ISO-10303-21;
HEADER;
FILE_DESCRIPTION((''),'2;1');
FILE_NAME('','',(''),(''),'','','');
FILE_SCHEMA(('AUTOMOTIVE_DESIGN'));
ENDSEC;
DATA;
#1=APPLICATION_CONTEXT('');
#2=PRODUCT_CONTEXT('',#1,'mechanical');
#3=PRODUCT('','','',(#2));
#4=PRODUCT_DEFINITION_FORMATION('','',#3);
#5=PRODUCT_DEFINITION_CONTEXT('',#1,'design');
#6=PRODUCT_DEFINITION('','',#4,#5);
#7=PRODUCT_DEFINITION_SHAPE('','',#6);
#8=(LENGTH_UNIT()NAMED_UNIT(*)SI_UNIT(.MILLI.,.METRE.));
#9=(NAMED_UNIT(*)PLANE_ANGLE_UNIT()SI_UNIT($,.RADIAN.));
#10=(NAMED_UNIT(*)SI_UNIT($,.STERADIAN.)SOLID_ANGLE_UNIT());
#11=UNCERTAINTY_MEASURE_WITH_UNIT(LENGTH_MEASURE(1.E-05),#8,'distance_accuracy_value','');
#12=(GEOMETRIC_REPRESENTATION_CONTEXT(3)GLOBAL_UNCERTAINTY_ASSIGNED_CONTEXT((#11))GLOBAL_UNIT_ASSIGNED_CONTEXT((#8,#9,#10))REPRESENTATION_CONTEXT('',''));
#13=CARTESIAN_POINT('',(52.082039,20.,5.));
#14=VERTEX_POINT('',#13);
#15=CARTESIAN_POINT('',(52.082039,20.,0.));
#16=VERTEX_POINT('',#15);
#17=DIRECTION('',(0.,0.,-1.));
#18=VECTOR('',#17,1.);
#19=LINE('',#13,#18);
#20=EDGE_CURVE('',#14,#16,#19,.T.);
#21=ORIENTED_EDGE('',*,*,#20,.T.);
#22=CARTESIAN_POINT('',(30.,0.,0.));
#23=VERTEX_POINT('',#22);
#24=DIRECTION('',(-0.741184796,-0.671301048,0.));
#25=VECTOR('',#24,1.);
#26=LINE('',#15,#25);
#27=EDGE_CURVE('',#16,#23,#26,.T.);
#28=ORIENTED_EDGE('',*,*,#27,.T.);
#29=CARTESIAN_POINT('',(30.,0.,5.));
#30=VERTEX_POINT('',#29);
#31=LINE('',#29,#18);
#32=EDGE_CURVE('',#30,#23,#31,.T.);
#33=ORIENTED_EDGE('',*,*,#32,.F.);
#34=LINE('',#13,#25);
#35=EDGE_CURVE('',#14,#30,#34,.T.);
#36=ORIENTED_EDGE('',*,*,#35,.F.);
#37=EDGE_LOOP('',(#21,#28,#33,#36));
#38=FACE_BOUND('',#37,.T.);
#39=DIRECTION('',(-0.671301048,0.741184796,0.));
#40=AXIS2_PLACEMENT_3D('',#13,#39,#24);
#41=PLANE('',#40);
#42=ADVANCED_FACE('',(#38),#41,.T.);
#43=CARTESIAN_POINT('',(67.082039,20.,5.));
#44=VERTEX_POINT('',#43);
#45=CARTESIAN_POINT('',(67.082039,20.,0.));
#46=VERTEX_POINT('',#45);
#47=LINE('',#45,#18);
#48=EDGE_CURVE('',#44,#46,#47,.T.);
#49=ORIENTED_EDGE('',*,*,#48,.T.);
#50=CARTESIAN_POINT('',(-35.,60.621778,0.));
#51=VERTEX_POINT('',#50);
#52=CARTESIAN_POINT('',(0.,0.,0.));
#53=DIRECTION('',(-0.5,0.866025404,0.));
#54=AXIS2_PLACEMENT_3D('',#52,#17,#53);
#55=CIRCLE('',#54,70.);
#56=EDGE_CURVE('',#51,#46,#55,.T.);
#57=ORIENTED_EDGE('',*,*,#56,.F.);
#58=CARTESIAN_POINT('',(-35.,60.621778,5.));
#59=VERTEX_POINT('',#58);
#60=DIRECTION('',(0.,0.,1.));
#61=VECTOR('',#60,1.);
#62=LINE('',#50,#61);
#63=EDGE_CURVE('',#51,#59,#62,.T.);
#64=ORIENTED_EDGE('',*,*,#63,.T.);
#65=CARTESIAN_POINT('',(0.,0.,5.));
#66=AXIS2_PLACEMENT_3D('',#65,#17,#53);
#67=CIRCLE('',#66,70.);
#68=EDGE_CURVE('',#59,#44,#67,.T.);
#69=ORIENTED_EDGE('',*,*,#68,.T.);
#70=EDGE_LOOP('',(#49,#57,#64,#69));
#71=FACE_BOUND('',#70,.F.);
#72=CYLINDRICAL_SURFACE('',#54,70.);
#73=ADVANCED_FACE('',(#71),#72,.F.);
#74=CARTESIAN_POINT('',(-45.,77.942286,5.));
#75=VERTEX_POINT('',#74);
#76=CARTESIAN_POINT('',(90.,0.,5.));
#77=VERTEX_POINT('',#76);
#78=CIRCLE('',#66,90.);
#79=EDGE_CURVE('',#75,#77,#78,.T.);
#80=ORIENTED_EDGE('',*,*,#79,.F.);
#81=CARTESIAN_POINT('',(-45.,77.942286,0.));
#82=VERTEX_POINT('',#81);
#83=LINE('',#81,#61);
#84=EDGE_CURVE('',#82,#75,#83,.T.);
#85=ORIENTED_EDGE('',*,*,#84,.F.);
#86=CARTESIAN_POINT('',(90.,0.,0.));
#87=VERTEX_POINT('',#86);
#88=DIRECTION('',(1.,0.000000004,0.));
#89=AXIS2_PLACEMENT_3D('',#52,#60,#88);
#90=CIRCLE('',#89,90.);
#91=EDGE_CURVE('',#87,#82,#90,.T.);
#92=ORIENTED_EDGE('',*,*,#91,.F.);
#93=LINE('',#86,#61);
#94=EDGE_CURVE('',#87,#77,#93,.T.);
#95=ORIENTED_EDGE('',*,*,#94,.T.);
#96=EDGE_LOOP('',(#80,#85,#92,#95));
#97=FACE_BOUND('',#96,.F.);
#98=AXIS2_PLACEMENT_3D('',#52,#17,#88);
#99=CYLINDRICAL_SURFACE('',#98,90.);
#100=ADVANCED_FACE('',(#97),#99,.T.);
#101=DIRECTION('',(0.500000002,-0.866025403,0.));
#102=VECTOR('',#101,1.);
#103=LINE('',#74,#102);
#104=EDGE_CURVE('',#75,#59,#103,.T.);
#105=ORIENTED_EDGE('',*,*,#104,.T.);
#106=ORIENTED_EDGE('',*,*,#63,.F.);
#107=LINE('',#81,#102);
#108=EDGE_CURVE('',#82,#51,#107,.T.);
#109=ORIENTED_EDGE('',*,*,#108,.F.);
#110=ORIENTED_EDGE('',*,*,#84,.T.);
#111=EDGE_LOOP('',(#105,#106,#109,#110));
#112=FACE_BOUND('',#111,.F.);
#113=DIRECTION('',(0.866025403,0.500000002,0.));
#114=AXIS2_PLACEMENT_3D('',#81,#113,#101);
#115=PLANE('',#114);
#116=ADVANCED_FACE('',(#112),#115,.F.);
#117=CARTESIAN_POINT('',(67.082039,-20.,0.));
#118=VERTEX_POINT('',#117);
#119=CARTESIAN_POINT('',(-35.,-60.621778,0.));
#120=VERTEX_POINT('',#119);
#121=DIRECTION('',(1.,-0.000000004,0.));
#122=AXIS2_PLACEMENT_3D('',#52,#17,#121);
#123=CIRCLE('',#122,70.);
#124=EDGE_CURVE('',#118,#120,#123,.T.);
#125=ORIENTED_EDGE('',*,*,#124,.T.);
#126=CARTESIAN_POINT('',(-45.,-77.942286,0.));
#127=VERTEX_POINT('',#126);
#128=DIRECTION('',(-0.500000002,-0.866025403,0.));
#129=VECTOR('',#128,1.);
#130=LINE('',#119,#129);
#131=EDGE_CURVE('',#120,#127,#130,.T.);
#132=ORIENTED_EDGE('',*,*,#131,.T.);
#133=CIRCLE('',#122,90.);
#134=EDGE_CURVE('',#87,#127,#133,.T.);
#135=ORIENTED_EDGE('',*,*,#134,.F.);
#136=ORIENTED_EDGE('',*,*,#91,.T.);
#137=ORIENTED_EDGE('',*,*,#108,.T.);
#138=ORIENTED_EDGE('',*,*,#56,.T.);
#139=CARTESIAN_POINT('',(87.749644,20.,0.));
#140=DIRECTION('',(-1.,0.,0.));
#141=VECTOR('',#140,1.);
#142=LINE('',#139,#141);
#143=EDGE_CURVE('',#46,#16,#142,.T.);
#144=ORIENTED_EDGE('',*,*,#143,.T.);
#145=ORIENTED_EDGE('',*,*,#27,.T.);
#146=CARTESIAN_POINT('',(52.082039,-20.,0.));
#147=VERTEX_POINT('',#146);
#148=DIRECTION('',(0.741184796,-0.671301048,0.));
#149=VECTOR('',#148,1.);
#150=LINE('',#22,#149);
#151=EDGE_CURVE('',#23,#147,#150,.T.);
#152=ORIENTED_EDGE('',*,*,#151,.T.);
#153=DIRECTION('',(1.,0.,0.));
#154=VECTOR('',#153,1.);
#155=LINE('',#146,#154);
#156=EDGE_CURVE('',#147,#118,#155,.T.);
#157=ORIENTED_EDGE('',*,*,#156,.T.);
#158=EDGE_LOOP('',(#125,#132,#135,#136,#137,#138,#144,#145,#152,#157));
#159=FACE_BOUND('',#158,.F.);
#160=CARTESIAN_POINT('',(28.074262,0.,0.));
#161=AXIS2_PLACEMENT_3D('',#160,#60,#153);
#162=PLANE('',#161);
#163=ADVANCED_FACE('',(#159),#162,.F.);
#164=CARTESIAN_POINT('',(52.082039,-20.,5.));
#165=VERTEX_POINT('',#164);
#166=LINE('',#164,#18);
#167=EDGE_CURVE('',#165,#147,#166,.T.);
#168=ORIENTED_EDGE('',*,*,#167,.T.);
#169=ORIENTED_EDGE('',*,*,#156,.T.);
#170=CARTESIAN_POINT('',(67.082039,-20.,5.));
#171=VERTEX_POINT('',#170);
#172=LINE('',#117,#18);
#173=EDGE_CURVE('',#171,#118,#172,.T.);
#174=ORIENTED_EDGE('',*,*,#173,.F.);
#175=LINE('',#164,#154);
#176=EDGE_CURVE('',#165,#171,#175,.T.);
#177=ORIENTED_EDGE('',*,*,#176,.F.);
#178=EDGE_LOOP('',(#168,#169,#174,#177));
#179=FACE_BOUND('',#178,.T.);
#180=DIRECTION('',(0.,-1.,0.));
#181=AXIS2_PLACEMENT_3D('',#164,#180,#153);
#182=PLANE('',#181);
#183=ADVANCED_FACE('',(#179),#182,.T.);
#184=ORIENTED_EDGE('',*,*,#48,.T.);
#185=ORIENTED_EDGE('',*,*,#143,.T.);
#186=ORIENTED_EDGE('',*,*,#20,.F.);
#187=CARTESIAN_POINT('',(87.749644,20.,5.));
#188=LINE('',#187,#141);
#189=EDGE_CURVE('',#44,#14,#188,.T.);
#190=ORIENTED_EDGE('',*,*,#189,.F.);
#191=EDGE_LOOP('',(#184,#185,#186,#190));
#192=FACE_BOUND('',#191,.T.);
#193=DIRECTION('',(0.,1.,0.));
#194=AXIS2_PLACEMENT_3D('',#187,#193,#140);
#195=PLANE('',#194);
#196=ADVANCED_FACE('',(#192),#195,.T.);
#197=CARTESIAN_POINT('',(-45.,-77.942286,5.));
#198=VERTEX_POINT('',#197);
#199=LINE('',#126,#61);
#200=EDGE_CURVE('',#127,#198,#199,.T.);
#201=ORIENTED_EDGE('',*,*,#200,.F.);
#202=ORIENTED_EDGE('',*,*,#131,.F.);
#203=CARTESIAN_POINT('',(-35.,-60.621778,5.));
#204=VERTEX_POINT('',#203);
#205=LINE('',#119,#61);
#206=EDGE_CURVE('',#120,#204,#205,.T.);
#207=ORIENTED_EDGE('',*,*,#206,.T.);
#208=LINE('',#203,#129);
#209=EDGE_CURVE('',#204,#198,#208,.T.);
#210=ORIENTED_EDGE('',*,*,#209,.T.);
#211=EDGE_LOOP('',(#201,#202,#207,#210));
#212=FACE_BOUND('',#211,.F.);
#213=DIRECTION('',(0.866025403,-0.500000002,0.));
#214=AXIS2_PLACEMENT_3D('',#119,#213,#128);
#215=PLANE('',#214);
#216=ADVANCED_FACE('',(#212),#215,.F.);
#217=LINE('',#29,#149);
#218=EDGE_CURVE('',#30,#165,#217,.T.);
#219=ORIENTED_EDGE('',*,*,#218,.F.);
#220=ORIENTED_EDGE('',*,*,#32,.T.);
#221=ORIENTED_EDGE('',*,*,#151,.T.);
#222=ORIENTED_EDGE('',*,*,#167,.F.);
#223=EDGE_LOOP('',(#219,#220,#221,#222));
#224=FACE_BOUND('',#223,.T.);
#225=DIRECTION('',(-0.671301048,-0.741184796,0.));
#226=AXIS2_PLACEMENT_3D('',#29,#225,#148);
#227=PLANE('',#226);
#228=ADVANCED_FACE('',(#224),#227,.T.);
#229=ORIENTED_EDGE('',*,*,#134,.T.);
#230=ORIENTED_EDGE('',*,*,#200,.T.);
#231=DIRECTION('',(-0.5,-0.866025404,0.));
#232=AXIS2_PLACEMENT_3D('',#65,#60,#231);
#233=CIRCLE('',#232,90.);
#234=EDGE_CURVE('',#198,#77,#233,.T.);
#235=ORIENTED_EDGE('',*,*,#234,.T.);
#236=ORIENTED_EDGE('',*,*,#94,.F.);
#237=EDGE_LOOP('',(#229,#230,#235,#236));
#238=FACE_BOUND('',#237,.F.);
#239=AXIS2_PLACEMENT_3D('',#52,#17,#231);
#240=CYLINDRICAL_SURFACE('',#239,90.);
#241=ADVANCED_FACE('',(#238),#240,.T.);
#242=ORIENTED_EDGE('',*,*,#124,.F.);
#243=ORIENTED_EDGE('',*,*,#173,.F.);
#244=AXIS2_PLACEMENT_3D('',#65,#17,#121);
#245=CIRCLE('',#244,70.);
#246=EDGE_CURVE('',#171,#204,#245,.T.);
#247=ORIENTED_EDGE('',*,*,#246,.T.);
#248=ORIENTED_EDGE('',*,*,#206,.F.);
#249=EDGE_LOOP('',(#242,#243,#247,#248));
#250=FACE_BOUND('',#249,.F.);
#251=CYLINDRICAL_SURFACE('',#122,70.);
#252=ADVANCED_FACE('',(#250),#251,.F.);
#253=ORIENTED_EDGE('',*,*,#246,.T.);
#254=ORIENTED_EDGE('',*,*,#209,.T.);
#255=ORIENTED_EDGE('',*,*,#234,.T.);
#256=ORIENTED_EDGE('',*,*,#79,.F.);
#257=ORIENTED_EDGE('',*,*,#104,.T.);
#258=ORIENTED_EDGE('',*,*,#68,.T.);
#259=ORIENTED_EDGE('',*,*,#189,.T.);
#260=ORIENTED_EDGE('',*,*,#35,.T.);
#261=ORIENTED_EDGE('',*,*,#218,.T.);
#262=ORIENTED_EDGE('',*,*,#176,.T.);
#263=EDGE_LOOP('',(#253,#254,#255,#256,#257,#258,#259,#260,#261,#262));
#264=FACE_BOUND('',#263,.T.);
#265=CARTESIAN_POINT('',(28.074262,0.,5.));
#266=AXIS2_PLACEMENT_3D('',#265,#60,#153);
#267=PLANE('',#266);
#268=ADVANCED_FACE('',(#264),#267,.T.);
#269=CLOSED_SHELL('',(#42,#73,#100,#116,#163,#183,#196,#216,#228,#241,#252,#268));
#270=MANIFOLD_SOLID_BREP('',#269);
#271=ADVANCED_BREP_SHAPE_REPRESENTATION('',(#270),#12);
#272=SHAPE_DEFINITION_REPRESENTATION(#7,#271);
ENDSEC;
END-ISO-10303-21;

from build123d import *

# Parameters (mm, degrees)
F2_DEPTH = 5
F4_DEPTH = 5


with BuildPart() as f2:
    # F1 (on Top) → F2 (new body)
    with BuildSketch(Plane.XY):
        with BuildLine():
            ThreePointArc((90, 0), (45, 77.942286), (-45, 77.942286))
            Line((-45, 77.942286), (-35, 60.621778))
            ThreePointArc((-35, 60.621778), (35, 60.621778), (70, 0))
            ThreePointArc((70, 0), (35, -60.621778), (-35, -60.621778))
            Line((-35, -60.621778), (-45, -77.942286))
            ThreePointArc((-45, -77.942286), (45, -77.942286), (90, 0))
        make_face()
    extrude(amount=F2_DEPTH)

    # F3 (on face) → F4 (join, through all)
    with BuildSketch(Plane.XY.offset(5)):
        with BuildLine():
            Line((87.749644, 20), (67.082039, 20))
            ThreePointArc((67.082039, 20), (70, 0), (67.082039, -20))
            Line((67.082039, -20), (87.749644, -20))
            ThreePointArc((87.749644, -20), (90, 0), (87.749644, 20))
        make_face()
        with BuildLine():
            ThreePointArc((67.082039, -20), (70, 0), (67.082039, 20))
            Line((67.082039, 20), (52.082039, 20))
            Line((52.082039, 20), (30, 0))
            Line((30, 0), (52.082039, -20))
            Line((52.082039, -20), (67.082039, -20))
        make_face()
    extrude(amount=-F4_DEPTH)


solid = f2.part
